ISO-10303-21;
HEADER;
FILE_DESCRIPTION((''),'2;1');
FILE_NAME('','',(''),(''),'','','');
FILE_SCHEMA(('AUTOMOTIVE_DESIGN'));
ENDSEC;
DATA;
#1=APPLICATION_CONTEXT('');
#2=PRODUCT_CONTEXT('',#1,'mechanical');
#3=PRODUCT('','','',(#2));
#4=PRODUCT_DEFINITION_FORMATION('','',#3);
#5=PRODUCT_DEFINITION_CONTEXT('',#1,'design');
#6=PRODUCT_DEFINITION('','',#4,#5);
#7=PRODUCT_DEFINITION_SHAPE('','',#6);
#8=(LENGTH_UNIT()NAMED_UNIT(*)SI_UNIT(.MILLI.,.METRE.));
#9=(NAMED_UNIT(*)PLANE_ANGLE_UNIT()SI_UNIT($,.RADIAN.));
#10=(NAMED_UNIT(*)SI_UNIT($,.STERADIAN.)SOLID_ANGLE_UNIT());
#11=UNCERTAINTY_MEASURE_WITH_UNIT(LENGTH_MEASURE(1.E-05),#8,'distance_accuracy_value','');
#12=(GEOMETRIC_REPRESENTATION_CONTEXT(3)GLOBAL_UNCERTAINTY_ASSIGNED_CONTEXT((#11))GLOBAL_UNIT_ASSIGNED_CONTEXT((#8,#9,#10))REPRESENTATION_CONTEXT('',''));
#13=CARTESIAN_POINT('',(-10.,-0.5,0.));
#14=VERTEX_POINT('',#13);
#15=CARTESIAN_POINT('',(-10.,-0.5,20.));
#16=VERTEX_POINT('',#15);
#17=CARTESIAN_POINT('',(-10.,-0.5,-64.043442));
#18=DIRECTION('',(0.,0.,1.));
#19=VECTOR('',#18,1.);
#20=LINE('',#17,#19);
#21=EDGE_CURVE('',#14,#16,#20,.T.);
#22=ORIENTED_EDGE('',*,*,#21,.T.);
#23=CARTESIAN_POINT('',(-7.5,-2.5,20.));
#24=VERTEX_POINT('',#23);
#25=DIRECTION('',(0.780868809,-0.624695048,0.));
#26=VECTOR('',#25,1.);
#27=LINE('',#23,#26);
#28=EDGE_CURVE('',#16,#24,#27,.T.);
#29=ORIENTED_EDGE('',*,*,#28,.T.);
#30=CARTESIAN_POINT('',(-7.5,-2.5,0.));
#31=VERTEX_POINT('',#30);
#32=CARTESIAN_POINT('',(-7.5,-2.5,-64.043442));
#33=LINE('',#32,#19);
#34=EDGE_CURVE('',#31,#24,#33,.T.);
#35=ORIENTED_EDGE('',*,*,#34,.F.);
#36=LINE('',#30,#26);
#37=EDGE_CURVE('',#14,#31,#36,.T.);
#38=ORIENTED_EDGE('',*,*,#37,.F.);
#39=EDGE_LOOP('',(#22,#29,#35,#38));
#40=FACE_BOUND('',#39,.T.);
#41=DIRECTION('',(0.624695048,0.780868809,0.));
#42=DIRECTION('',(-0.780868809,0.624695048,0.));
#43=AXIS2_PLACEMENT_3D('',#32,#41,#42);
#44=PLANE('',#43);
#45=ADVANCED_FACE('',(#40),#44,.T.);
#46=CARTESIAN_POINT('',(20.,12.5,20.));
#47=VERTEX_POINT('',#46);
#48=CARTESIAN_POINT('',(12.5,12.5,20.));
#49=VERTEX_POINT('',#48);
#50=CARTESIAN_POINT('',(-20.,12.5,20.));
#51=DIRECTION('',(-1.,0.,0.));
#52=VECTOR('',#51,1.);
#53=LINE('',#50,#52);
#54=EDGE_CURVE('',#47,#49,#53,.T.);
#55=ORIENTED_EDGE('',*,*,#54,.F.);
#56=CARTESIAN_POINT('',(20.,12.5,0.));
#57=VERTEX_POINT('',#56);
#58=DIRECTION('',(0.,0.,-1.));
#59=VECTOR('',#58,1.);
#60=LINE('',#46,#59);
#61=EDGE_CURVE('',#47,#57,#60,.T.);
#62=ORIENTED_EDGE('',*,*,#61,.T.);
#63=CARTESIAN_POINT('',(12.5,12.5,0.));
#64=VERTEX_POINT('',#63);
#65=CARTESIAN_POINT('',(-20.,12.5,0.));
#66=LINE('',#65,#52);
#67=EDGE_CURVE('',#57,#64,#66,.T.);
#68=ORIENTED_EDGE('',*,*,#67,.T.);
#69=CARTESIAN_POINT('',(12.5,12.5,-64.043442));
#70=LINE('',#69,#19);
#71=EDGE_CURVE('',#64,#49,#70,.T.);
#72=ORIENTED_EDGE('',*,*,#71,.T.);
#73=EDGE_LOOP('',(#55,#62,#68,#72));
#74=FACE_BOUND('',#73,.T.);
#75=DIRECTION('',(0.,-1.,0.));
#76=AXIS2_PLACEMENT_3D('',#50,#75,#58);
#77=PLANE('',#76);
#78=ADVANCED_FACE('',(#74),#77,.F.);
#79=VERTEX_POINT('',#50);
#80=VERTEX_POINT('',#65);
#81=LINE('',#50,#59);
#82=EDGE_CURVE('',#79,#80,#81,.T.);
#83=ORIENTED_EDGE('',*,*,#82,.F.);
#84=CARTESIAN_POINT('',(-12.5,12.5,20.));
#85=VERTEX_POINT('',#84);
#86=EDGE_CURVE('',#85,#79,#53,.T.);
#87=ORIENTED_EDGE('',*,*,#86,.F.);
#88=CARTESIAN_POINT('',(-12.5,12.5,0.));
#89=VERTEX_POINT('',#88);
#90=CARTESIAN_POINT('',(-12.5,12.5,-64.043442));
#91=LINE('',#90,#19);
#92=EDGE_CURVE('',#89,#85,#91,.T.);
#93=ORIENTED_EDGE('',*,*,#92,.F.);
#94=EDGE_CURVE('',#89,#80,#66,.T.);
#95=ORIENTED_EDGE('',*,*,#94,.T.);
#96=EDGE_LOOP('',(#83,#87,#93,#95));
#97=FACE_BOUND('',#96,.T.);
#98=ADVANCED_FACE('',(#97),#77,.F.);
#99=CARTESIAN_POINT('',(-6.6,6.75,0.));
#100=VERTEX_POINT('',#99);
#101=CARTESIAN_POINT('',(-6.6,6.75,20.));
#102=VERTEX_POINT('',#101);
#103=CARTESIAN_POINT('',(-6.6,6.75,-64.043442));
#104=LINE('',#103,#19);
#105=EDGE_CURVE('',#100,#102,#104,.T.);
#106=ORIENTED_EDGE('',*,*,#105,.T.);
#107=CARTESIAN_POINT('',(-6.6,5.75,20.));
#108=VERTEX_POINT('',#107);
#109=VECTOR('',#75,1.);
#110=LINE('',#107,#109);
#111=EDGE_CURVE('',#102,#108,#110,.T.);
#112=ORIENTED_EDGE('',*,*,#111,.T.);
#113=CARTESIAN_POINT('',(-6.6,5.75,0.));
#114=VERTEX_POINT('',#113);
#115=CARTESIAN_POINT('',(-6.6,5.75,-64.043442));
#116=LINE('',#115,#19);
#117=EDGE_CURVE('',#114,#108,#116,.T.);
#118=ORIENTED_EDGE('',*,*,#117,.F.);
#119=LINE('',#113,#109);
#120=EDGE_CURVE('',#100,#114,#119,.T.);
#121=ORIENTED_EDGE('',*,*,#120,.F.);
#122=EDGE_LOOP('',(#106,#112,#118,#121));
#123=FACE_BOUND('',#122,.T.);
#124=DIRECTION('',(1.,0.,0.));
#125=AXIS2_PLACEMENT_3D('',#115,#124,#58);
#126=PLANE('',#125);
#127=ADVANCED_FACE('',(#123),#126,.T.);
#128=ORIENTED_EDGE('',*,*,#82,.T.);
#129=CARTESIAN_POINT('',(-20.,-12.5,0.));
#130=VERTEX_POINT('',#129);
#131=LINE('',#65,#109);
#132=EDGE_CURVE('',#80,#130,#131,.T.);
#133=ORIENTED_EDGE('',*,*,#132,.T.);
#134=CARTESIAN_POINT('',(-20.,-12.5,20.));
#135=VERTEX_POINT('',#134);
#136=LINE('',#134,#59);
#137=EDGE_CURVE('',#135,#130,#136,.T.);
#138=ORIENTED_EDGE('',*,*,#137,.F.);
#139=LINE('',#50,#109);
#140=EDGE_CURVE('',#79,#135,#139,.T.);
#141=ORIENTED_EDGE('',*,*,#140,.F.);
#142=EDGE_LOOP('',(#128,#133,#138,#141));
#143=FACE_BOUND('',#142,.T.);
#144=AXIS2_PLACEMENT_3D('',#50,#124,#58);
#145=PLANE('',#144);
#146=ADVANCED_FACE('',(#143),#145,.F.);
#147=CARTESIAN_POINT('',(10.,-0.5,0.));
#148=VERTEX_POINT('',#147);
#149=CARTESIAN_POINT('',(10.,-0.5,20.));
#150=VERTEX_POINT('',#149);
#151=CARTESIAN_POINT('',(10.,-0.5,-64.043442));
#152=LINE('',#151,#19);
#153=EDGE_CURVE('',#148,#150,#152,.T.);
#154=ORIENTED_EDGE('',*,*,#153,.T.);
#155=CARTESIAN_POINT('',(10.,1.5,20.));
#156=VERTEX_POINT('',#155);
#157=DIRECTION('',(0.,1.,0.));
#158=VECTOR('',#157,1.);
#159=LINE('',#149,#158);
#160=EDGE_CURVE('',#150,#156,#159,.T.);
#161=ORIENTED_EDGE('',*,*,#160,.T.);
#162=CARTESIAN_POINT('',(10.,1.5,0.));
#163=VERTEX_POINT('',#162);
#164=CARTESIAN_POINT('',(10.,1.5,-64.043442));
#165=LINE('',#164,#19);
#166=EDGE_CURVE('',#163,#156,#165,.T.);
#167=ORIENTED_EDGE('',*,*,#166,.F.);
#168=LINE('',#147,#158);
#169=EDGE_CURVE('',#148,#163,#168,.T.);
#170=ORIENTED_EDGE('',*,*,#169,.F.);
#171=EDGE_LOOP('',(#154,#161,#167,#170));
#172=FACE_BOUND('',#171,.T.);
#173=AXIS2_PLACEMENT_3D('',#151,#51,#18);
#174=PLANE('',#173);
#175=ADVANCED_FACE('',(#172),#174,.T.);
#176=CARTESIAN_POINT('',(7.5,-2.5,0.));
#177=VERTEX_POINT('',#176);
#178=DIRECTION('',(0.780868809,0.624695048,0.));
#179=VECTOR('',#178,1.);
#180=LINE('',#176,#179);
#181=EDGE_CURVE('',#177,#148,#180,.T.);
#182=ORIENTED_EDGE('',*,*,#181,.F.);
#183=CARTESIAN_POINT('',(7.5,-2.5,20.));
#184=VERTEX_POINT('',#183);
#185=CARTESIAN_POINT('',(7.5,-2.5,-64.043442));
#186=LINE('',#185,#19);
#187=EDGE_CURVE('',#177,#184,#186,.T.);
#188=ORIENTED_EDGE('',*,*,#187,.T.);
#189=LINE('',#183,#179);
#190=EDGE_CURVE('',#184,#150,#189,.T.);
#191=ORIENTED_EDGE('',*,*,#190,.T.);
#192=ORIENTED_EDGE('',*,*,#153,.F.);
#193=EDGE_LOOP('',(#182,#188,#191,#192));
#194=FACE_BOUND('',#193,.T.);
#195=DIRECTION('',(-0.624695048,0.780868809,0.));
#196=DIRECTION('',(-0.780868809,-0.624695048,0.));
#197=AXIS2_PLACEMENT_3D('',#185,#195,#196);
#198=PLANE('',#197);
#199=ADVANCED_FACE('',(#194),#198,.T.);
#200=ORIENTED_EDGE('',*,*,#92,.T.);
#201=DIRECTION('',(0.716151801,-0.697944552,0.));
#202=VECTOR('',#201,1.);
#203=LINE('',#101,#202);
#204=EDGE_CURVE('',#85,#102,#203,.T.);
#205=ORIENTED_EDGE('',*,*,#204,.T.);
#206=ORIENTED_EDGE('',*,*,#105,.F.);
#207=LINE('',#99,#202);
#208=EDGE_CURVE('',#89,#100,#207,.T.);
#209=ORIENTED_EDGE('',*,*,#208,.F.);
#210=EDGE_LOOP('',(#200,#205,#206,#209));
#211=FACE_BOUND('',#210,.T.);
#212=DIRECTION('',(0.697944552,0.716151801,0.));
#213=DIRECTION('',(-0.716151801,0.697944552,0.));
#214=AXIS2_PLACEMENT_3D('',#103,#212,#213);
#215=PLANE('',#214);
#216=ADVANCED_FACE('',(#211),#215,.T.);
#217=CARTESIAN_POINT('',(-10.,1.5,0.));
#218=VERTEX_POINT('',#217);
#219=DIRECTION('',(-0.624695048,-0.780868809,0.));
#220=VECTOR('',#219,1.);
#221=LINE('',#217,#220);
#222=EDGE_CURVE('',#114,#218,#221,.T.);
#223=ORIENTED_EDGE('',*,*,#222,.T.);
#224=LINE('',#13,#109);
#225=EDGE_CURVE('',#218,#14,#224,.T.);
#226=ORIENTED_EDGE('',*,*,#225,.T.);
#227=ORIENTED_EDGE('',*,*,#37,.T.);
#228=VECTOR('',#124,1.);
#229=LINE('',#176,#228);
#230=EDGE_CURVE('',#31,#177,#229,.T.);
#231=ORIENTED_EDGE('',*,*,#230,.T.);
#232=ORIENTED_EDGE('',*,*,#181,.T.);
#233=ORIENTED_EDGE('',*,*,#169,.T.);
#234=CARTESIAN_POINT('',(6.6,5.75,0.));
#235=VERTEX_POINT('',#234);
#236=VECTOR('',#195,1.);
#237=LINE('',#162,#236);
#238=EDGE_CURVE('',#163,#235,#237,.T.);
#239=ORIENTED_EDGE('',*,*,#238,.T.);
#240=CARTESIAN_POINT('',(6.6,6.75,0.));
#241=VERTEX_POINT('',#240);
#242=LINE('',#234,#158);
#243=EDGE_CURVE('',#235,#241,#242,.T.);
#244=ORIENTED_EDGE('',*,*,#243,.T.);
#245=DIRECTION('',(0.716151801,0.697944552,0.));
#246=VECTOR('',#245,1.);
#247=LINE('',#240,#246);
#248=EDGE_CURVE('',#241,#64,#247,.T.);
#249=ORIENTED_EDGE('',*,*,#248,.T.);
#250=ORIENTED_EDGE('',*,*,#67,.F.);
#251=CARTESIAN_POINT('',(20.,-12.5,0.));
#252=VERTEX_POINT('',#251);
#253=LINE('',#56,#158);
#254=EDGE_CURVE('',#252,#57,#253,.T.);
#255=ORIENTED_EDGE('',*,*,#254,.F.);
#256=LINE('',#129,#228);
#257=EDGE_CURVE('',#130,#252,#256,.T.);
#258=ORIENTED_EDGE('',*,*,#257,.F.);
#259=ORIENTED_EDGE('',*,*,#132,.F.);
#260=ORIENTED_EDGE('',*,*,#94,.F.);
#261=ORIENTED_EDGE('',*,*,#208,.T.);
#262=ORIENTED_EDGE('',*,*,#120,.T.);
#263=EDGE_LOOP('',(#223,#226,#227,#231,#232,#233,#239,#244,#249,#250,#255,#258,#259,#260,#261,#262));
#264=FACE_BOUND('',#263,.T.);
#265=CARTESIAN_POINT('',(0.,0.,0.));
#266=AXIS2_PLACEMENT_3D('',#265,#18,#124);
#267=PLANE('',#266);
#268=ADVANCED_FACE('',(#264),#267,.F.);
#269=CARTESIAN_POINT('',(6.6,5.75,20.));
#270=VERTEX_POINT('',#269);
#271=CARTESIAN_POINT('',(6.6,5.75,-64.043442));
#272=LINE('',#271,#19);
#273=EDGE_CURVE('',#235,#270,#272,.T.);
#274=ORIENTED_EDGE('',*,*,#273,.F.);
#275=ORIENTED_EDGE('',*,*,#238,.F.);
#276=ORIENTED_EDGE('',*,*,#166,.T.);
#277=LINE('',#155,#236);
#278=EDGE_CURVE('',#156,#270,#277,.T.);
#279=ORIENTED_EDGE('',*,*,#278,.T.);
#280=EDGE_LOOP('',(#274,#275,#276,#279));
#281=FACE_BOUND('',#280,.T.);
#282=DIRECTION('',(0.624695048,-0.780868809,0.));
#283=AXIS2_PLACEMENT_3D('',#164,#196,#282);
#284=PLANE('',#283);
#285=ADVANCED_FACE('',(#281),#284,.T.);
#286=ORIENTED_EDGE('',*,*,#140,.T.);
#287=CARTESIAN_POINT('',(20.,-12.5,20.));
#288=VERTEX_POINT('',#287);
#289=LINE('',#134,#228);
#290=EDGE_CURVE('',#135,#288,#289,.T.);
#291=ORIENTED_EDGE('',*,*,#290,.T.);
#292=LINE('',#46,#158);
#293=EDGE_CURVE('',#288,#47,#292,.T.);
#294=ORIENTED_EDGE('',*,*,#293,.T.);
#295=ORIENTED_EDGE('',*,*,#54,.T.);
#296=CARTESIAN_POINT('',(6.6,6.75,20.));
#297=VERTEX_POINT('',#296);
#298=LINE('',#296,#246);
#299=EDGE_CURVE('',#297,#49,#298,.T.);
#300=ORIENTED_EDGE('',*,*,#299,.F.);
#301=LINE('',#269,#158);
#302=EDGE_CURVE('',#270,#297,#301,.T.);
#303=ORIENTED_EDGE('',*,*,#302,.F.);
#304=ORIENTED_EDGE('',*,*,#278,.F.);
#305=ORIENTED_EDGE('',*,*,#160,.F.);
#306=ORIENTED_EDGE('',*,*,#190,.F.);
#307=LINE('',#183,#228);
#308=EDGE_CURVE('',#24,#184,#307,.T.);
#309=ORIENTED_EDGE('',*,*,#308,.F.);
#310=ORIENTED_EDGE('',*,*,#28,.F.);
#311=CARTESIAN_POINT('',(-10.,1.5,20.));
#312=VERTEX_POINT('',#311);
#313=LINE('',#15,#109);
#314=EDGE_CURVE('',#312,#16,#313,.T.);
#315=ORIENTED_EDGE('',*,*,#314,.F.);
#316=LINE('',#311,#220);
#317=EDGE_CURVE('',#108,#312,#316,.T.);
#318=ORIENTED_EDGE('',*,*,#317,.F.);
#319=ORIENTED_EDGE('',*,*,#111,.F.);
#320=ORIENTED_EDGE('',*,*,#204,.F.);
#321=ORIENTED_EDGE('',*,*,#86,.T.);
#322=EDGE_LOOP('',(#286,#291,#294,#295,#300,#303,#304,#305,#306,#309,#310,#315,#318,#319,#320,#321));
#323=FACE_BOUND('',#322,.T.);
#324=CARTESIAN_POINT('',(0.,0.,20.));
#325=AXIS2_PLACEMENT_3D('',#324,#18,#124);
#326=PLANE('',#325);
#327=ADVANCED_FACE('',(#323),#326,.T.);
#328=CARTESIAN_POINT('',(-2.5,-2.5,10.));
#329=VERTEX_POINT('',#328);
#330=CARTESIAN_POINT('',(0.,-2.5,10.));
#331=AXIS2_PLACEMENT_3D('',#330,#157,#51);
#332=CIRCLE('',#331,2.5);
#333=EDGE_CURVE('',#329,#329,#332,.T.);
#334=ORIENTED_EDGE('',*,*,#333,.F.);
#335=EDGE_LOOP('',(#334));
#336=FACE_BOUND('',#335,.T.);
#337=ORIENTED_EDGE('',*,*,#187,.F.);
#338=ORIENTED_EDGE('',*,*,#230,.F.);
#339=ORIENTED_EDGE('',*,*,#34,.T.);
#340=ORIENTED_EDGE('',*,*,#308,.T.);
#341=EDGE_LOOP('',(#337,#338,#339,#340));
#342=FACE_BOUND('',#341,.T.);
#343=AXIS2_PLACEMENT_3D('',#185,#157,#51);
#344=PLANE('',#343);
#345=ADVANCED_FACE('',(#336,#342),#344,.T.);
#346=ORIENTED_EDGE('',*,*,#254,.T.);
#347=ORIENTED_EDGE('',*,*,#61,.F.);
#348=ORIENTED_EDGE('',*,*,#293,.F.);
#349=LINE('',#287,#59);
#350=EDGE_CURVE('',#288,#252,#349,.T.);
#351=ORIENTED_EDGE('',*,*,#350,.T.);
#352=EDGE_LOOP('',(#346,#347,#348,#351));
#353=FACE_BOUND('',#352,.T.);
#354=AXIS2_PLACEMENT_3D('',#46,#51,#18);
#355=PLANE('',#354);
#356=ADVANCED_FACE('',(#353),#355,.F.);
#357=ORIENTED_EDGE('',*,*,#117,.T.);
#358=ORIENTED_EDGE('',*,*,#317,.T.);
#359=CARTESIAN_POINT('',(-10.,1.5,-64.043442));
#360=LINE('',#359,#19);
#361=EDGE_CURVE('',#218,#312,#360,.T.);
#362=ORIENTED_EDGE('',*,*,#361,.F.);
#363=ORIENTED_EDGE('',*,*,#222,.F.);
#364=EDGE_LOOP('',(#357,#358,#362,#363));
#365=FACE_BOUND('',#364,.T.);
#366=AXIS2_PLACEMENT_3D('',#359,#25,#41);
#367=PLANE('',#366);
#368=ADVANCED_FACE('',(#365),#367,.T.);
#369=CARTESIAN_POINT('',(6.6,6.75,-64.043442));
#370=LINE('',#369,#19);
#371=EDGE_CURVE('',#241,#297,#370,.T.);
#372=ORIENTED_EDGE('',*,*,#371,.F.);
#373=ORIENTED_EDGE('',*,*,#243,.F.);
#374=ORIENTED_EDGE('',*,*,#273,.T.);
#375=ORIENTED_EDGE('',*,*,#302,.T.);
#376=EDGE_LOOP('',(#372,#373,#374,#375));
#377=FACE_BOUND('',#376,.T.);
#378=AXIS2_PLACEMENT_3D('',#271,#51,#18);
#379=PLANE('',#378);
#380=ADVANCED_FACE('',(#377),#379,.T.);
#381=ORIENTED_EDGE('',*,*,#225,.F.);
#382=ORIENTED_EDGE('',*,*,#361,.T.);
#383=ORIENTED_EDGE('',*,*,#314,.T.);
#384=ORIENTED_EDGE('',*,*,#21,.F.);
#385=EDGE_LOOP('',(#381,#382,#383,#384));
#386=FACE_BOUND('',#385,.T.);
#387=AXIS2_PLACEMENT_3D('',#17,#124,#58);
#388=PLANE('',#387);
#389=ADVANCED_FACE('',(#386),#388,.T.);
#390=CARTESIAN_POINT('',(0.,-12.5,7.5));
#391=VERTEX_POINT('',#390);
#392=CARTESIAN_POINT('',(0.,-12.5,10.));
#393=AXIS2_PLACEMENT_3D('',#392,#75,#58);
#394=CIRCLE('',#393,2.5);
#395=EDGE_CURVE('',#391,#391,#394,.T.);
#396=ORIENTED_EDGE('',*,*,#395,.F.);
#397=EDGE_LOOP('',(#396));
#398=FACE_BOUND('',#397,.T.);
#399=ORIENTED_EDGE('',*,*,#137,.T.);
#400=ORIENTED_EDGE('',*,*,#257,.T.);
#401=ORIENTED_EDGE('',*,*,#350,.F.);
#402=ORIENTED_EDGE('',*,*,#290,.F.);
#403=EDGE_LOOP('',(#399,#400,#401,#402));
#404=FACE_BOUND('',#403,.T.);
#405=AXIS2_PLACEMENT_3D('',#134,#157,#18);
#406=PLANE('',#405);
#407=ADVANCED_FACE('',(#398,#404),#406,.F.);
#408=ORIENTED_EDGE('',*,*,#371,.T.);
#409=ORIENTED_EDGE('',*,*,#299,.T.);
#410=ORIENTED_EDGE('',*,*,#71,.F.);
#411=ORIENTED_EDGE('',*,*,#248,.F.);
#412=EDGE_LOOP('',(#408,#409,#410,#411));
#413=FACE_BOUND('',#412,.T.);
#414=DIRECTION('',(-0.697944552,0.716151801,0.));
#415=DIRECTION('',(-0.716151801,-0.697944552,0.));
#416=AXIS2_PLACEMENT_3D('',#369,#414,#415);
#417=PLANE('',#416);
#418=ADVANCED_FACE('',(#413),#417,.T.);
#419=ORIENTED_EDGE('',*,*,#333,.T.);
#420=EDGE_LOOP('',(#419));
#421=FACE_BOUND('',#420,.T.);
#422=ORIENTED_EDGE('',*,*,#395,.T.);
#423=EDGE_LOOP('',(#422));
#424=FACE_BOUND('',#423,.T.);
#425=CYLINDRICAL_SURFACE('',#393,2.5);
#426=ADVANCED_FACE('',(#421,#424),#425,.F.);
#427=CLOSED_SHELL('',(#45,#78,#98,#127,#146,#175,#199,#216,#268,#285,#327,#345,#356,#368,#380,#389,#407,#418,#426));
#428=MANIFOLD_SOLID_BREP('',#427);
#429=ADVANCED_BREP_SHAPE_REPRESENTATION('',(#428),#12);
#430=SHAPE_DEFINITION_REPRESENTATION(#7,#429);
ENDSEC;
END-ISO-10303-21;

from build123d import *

# Parameters (mm, degrees)
SKETCH_1_W               = 40
SKETCH_1_H               = 25
EXTRUDE_1_DEPTH          = 20
CUT_EXTRUDE_1_DEPTH      = 1
CUT_EXTRUDE_1_DEPTH_BACK = 20
HOLE_WIZARD_M6_1_D       = 5
HOLE_WIZARD_M6_1_DEPTH   = 18
HOLE_WIZARD_M6_1_TIP     = 1.502151548


with BuildPart() as part:
    # 草图1 → 凸台-拉伸1 (new body)
    with BuildSketch(Plane.XY):
        Rectangle(SKETCH_1_W, SKETCH_1_H)
    extrude(amount=EXTRUDE_1_DEPTH)

    # 草图2 → 切除-拉伸1 (cut, two sides)
    with BuildSketch(Plane(origin=(0, 0, 0), x_dir=(-1, 0, 0), z_dir=(0, 0, -1))) as cut_extrude_1_sk:
        Polygon((-78.390332326, 76.715154385), (-12.5, 12.5), (-6.6, 6.75), (-6.6, 5.75), (-10, 1.5), (-10, -0.5), (-7.5, -2.5), (7.5, -2.5), (10, -0.5), (10, 1.5), (6.6, 5.75), (6.6, 6.75), (12.5, 12.5), (78.390332326, 76.715154385), (78.390332326, 260.727349054), (-78.390332326, 260.727349054), align=None)
    extrude(amount=CUT_EXTRUDE_1_DEPTH, mode=Mode.SUBTRACT)
    extrude(cut_extrude_1_sk.sketch, amount=-CUT_EXTRUDE_1_DEPTH_BACK, mode=Mode.SUBTRACT)

    # M6 螺纹孔1
    with Locations(Plane(origin=(0, -12.5, 0), x_dir=(-1, 0, 0), z_dir=(0, -1, 0))):
        with Locations((0, -10)):
            Hole(HOLE_WIZARD_M6_1_D / 2, depth=HOLE_WIZARD_M6_1_DEPTH)
            with Locations((0, 0, -(HOLE_WIZARD_M6_1_DEPTH + HOLE_WIZARD_M6_1_TIP / 2))):  # 118° drill point
                Cone(0, HOLE_WIZARD_M6_1_D / 2, HOLE_WIZARD_M6_1_TIP, mode=Mode.SUBTRACT)


solid = part.part
